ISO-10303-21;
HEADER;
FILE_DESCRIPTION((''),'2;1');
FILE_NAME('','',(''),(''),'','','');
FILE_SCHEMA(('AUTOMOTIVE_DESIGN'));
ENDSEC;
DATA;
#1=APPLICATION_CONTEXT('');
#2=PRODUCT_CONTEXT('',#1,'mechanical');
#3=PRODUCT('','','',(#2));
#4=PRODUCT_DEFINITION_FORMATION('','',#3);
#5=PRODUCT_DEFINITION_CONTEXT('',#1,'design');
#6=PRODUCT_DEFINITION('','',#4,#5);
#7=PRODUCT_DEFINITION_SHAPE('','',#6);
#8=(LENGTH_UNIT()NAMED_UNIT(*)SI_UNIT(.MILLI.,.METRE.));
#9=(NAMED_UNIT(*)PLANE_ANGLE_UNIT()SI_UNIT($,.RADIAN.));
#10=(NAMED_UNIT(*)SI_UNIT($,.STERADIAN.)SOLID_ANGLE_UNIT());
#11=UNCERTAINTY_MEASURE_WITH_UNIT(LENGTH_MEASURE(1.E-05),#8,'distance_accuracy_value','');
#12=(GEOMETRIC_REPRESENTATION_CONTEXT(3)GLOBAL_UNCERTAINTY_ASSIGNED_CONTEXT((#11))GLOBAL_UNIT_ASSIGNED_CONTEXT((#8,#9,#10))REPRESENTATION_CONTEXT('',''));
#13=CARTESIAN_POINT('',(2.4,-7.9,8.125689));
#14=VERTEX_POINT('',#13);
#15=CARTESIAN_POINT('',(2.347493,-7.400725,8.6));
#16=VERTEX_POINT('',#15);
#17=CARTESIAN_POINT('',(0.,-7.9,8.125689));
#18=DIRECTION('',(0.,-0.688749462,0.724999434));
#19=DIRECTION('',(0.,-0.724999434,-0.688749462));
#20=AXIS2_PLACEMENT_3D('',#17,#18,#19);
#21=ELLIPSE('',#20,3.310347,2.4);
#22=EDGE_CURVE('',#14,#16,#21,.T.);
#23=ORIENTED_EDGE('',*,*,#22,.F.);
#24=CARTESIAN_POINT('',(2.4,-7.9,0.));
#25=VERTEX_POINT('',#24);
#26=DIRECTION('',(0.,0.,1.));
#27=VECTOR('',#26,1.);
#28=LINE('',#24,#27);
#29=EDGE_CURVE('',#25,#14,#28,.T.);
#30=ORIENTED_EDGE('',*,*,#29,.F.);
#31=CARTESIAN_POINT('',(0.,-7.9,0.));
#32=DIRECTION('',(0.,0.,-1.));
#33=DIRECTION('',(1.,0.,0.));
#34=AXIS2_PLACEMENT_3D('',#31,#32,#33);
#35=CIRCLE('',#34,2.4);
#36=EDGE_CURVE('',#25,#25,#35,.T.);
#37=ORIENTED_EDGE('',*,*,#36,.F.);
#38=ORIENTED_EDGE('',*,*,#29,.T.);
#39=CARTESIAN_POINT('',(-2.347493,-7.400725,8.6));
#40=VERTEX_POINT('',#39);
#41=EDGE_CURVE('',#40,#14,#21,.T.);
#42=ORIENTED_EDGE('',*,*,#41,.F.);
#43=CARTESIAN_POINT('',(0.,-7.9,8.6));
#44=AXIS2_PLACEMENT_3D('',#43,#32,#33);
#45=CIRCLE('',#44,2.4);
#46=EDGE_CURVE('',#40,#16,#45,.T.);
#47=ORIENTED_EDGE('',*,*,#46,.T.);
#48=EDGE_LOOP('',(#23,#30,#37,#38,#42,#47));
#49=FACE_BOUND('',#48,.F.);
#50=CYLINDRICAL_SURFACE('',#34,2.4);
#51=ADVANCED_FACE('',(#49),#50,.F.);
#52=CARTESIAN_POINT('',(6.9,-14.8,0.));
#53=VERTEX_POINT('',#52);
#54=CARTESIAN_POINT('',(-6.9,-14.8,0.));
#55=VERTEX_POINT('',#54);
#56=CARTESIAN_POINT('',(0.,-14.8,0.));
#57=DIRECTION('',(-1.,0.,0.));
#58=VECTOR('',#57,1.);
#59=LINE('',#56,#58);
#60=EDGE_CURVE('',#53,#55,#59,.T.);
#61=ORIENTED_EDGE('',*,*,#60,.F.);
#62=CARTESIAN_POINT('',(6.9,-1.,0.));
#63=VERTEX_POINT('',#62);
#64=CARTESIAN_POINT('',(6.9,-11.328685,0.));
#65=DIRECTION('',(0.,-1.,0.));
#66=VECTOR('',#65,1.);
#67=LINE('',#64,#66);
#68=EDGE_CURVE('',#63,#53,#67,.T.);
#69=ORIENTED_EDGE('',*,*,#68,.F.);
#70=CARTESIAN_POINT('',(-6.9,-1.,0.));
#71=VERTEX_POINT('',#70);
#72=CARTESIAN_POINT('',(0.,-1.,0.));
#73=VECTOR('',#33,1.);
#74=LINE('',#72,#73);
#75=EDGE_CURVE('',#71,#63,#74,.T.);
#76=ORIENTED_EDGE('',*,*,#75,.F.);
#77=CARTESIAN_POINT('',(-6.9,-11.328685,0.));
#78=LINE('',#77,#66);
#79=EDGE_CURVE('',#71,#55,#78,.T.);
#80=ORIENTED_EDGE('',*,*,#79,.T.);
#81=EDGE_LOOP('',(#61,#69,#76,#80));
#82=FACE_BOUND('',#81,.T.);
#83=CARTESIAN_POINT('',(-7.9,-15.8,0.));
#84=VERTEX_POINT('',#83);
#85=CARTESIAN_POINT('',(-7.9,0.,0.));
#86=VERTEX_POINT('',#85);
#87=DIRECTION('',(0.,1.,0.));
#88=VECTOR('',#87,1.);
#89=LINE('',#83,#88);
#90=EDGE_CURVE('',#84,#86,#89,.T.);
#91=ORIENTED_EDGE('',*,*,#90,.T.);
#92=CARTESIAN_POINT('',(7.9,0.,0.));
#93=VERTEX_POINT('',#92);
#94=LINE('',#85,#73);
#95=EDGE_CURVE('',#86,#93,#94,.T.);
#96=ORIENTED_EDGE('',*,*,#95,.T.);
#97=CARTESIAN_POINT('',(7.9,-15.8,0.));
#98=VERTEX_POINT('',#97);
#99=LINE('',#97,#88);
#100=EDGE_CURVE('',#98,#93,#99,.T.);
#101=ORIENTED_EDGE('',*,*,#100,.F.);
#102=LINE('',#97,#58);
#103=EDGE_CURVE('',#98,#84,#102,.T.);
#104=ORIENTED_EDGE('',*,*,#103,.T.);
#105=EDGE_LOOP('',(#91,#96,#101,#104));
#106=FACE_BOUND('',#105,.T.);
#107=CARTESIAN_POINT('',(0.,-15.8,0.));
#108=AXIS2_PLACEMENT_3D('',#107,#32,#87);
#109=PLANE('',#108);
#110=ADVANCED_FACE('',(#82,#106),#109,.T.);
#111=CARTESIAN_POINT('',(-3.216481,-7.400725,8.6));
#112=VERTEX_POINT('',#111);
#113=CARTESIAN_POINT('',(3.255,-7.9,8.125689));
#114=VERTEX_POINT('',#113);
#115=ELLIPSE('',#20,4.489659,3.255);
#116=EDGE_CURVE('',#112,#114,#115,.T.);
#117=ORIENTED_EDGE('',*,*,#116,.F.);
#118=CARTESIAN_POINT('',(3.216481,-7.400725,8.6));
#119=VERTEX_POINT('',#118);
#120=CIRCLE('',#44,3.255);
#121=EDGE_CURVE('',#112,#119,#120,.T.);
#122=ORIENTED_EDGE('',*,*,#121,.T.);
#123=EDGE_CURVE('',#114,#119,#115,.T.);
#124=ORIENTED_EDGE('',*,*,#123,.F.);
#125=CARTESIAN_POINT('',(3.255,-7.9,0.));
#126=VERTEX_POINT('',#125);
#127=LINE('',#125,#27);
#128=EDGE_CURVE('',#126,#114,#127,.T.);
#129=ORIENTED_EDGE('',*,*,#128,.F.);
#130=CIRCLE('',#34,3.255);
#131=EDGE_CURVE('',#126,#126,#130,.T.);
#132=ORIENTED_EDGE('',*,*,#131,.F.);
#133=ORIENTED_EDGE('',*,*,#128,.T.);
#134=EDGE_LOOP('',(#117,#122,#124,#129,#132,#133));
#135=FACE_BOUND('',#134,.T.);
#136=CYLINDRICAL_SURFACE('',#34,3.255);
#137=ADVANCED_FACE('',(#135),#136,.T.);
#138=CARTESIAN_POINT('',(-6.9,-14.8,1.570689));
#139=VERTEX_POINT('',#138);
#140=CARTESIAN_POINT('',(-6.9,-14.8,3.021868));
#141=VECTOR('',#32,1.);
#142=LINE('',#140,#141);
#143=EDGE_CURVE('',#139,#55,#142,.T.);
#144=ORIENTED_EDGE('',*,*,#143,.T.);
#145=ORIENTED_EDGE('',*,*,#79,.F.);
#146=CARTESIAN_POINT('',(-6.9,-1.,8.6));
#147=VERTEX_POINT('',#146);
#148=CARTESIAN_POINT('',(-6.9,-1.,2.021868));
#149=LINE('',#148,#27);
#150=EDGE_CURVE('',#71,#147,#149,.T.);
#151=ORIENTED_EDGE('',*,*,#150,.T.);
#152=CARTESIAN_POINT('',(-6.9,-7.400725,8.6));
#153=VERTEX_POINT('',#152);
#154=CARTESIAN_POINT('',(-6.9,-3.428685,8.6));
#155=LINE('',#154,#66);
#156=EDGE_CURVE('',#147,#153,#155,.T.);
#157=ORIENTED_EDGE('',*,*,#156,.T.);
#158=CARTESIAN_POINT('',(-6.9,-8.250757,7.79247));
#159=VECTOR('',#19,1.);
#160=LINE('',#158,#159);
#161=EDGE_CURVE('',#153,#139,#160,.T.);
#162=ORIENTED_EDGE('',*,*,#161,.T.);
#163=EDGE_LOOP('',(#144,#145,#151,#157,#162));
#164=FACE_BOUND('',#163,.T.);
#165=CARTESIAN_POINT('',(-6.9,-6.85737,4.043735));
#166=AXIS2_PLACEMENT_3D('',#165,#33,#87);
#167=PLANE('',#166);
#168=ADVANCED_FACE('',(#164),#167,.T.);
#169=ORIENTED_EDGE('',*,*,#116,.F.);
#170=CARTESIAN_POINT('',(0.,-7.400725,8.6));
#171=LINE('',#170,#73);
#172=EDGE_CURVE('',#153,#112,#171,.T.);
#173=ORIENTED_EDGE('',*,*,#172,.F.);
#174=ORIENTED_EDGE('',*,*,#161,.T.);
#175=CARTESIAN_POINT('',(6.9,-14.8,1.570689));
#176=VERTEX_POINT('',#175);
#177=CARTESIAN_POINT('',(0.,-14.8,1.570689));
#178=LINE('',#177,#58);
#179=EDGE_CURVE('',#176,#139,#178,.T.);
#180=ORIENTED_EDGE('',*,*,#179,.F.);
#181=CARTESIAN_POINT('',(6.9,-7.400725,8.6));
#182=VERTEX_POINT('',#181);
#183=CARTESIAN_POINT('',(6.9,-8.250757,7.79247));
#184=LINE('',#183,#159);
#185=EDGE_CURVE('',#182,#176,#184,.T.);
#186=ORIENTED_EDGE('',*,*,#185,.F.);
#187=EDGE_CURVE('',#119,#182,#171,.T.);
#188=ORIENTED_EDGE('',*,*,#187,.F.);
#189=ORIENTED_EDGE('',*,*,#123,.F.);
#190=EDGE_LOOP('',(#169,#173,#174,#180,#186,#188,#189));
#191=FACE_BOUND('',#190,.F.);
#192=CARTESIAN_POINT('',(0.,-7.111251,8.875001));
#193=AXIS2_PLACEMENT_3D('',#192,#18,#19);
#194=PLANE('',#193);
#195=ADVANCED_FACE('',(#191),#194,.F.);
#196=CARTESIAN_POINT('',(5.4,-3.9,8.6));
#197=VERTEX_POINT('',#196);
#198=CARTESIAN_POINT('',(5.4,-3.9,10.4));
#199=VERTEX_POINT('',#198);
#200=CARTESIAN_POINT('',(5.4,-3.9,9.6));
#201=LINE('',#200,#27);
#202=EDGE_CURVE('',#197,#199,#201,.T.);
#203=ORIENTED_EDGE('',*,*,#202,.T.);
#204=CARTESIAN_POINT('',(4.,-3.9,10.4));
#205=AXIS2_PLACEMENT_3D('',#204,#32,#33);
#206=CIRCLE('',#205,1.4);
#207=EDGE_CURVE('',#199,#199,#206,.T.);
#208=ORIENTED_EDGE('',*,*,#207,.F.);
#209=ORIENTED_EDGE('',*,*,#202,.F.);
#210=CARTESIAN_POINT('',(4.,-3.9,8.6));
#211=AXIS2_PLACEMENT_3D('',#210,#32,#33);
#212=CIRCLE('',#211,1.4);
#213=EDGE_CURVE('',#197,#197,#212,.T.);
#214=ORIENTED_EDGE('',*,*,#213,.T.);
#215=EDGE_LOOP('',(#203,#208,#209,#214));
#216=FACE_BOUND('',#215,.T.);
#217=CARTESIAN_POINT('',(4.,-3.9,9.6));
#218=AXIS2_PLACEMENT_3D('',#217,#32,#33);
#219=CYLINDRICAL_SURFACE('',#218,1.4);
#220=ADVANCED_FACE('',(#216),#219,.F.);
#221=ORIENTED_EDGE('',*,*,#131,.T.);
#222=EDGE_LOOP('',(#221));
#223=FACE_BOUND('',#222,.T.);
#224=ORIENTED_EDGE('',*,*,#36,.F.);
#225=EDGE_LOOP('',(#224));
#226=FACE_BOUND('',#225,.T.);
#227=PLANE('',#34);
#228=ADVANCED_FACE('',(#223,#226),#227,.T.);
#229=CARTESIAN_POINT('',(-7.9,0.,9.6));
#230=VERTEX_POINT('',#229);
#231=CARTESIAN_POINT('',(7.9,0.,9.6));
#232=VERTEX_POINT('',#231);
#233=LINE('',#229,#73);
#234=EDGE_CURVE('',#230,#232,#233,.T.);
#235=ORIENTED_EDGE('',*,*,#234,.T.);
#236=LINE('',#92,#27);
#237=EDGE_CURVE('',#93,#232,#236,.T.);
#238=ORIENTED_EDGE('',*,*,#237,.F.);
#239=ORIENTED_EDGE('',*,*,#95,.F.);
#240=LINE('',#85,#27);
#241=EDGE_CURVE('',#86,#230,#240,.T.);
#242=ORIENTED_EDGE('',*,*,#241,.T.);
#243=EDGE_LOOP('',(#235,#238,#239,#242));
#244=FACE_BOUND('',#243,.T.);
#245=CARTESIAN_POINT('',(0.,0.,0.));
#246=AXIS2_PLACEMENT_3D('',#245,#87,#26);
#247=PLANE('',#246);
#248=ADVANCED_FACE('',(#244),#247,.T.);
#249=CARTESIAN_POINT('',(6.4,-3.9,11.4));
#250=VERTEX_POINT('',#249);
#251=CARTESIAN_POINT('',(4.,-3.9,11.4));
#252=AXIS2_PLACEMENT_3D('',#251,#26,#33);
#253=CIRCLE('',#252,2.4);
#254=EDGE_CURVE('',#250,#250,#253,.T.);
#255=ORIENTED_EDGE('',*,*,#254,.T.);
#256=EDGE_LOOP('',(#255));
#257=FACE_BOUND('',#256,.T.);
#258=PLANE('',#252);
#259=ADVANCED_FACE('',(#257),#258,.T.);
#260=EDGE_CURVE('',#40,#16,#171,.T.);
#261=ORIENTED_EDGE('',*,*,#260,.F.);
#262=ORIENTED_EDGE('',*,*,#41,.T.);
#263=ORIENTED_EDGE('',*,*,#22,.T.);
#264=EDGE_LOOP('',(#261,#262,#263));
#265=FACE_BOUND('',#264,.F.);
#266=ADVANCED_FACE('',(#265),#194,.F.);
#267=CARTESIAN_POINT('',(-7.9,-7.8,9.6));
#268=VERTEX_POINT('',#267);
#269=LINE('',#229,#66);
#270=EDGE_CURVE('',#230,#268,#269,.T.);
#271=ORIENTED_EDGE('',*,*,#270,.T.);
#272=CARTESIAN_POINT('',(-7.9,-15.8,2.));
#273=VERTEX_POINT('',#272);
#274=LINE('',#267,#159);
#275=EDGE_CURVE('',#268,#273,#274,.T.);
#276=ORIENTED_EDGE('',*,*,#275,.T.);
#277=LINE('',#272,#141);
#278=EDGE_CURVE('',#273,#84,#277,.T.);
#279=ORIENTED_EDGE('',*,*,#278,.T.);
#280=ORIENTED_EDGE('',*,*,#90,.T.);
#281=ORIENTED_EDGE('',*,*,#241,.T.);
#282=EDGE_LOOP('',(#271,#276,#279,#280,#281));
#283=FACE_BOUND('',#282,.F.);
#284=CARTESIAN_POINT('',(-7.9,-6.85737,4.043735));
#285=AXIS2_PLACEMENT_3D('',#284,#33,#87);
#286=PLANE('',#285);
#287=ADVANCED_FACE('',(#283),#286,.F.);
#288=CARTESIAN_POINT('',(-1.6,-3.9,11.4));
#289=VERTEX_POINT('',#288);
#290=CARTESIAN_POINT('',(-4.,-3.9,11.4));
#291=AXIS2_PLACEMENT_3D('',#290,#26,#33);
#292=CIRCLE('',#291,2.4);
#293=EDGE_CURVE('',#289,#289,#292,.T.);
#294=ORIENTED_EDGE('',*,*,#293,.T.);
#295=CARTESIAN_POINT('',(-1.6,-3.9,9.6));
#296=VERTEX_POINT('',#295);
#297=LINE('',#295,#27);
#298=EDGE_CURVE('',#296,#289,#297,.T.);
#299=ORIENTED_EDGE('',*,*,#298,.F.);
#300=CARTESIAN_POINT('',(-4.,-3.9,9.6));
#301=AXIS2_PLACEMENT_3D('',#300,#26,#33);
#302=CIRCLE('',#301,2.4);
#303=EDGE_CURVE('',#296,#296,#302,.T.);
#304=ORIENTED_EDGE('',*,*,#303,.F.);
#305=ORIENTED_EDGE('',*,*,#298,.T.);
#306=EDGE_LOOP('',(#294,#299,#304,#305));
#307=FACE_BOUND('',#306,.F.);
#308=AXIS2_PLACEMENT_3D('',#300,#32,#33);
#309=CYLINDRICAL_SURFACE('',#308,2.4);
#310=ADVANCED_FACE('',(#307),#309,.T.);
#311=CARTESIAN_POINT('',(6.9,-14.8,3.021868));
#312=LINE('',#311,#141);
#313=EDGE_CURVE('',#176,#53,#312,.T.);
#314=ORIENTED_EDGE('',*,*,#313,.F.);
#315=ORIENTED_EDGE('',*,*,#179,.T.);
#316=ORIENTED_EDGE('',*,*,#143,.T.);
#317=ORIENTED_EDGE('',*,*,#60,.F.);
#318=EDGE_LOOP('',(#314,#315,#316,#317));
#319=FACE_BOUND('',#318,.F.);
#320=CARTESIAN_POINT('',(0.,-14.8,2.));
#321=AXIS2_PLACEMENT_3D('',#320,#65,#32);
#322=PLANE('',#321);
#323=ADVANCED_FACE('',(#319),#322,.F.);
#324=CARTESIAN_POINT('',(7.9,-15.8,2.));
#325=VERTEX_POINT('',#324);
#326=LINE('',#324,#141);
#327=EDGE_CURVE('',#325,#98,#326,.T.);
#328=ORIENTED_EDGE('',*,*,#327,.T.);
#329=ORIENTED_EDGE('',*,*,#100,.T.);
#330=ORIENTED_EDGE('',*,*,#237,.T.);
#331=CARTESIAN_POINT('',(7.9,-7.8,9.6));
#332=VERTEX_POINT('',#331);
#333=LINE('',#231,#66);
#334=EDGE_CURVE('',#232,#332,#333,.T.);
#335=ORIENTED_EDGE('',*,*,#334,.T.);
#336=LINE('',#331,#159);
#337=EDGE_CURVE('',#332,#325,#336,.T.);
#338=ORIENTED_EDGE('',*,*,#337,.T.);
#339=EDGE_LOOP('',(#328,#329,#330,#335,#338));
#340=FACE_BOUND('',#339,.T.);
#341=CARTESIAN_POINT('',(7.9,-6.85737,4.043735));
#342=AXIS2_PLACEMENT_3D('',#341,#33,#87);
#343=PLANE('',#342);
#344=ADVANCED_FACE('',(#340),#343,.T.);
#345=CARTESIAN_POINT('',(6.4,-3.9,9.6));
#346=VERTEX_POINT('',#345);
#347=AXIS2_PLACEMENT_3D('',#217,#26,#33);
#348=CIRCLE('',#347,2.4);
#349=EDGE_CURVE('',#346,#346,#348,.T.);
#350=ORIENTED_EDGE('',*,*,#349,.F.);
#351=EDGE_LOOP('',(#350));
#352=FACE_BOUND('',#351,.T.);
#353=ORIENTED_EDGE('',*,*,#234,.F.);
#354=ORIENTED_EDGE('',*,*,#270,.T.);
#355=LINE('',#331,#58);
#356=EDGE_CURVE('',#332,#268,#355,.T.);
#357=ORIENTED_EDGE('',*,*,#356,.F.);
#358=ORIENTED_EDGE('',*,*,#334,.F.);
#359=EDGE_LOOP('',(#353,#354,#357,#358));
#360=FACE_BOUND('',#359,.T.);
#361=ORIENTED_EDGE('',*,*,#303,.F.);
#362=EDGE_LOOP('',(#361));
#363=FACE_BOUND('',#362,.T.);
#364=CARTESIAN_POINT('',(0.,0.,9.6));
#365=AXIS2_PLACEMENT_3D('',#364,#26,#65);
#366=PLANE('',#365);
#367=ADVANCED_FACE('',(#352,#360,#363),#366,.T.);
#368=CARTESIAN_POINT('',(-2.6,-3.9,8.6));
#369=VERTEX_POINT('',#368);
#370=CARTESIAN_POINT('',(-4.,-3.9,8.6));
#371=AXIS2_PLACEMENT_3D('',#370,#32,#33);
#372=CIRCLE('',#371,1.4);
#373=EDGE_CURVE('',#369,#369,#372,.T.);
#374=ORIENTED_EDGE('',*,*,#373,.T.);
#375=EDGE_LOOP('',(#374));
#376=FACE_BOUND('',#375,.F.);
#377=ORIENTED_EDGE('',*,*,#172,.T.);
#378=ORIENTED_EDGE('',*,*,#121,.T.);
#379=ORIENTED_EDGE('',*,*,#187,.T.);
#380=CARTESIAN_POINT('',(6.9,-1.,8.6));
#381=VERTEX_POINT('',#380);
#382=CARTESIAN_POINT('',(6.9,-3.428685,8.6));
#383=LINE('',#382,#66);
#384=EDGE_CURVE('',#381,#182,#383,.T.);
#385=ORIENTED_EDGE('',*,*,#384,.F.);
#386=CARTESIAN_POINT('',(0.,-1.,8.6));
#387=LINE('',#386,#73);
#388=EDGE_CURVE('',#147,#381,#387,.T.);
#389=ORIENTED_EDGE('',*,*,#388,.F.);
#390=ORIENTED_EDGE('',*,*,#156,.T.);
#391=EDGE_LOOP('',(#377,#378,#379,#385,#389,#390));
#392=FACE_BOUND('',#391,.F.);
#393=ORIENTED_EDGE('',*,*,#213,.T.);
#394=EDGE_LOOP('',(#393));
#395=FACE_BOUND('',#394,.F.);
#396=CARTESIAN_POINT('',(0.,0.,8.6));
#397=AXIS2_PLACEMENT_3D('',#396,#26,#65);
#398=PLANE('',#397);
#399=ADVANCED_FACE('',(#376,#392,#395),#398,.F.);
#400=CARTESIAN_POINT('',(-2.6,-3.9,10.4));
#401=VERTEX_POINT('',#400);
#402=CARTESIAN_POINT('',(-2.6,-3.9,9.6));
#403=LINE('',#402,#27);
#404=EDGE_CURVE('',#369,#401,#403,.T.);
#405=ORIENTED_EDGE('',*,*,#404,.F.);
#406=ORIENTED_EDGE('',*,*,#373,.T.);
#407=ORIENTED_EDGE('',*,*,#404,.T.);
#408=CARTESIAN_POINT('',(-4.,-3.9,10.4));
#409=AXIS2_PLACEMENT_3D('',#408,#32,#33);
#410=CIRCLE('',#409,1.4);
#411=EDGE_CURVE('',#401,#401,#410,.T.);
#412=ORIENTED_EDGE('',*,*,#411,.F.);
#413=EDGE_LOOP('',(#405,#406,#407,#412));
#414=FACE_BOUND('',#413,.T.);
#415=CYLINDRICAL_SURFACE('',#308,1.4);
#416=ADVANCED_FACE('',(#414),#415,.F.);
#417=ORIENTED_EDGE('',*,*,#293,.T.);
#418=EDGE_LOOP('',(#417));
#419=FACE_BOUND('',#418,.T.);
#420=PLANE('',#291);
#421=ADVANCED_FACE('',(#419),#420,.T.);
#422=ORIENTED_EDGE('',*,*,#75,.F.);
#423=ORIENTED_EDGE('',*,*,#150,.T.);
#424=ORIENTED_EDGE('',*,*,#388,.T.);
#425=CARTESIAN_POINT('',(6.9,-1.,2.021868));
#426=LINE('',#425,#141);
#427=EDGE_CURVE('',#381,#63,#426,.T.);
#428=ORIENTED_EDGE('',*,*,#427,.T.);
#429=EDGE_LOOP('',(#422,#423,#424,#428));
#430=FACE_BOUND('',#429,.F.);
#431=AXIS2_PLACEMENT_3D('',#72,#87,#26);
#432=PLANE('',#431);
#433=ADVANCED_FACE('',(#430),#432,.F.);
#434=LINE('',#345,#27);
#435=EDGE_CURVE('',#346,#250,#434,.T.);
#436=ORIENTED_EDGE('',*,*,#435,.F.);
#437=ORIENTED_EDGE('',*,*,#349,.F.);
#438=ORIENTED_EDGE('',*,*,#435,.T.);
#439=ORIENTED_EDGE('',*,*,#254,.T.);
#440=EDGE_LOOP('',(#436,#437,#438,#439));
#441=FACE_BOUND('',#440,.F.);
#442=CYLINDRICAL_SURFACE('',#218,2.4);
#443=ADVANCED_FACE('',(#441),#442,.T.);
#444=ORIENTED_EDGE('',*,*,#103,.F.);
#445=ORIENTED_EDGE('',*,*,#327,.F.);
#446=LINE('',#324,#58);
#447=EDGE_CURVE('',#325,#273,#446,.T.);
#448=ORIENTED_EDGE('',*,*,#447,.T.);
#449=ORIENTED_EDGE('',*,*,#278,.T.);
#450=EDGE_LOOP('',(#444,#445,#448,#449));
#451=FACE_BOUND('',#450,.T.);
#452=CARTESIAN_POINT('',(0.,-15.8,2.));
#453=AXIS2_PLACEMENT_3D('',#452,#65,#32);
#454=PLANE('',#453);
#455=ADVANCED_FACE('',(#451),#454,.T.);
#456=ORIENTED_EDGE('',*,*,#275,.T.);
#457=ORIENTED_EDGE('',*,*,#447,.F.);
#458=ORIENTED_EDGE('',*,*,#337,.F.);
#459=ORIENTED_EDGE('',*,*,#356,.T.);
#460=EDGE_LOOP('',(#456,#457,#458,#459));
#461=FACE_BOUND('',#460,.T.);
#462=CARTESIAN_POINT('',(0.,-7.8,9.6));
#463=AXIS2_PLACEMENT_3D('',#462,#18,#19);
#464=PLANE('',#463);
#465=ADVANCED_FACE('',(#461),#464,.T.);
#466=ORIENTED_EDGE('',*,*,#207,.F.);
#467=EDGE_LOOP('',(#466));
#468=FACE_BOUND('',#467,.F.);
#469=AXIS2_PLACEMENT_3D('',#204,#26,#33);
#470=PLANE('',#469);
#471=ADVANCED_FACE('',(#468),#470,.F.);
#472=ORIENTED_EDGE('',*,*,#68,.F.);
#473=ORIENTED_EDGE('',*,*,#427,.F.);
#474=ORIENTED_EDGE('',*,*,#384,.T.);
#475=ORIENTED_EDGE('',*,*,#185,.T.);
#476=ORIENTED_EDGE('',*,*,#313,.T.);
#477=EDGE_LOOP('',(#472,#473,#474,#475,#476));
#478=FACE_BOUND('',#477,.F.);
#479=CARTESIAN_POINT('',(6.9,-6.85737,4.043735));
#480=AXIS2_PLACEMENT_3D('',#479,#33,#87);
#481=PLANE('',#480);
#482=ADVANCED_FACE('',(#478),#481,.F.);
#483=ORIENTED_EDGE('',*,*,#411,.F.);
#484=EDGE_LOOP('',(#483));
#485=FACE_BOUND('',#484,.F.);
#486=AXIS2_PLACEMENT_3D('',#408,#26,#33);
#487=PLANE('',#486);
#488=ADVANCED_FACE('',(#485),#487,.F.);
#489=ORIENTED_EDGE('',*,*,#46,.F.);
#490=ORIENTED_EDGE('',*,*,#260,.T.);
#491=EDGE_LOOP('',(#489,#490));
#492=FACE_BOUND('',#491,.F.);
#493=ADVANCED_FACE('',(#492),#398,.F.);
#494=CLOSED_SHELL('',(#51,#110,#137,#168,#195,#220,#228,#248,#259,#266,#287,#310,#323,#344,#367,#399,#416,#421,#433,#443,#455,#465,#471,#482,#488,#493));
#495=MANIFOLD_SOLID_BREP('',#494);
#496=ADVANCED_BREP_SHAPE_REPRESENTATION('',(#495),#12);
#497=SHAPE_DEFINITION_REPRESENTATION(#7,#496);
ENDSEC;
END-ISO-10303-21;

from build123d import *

# Parameters (mm, degrees)
F1_DEPTH = 7.9
F2_R     = 2.4
F3_DEPTH = 1.8
F4_T     = -1
F5_R     = 3.255
F5_R_2   = 2.4


with BuildPart() as f1:
    # F0 (on Right) → F1 (new body, symmetric)
    with BuildSketch(Plane.YZ):
        Polygon((-15.8, 0), (0, 0), (0, 9.6), (-7.8, 9.6), (-15.8, 2), align=None)
    extrude(amount=F1_DEPTH, both=True)

    # F2 (on face) → F3 (join)
    with BuildSketch(Plane.XY.offset(9.6)):
        with Locations((-4, -3.9)):
            Circle(F2_R)
        with Locations((4, -3.9)):
            Circle(F2_R)
    extrude(amount=F3_DEPTH)

    # F4
    f4_openings = [f1.faces().sort_by_distance(p)[0] for p in [
        (0, -7.9, 0),
    ]]
    offset(amount=F4_T, openings=f4_openings, kind=Kind.INTERSECTION)

    # F5 (on face) → F6 (join, up to the next surface of F1)
    with BuildSketch(Plane(origin=(0, 0, 0), x_dir=(1, 0, 0), z_dir=(0, 0, -1))):
        with Locations((0, 7.9)):
            Circle(F5_R)
        with Locations((0, 7.9)):
            Circle(F5_R_2, mode=Mode.SUBTRACT)
    extrude(until=Until.NEXT, dir=(0, 0, 1))


solid = f1.part
